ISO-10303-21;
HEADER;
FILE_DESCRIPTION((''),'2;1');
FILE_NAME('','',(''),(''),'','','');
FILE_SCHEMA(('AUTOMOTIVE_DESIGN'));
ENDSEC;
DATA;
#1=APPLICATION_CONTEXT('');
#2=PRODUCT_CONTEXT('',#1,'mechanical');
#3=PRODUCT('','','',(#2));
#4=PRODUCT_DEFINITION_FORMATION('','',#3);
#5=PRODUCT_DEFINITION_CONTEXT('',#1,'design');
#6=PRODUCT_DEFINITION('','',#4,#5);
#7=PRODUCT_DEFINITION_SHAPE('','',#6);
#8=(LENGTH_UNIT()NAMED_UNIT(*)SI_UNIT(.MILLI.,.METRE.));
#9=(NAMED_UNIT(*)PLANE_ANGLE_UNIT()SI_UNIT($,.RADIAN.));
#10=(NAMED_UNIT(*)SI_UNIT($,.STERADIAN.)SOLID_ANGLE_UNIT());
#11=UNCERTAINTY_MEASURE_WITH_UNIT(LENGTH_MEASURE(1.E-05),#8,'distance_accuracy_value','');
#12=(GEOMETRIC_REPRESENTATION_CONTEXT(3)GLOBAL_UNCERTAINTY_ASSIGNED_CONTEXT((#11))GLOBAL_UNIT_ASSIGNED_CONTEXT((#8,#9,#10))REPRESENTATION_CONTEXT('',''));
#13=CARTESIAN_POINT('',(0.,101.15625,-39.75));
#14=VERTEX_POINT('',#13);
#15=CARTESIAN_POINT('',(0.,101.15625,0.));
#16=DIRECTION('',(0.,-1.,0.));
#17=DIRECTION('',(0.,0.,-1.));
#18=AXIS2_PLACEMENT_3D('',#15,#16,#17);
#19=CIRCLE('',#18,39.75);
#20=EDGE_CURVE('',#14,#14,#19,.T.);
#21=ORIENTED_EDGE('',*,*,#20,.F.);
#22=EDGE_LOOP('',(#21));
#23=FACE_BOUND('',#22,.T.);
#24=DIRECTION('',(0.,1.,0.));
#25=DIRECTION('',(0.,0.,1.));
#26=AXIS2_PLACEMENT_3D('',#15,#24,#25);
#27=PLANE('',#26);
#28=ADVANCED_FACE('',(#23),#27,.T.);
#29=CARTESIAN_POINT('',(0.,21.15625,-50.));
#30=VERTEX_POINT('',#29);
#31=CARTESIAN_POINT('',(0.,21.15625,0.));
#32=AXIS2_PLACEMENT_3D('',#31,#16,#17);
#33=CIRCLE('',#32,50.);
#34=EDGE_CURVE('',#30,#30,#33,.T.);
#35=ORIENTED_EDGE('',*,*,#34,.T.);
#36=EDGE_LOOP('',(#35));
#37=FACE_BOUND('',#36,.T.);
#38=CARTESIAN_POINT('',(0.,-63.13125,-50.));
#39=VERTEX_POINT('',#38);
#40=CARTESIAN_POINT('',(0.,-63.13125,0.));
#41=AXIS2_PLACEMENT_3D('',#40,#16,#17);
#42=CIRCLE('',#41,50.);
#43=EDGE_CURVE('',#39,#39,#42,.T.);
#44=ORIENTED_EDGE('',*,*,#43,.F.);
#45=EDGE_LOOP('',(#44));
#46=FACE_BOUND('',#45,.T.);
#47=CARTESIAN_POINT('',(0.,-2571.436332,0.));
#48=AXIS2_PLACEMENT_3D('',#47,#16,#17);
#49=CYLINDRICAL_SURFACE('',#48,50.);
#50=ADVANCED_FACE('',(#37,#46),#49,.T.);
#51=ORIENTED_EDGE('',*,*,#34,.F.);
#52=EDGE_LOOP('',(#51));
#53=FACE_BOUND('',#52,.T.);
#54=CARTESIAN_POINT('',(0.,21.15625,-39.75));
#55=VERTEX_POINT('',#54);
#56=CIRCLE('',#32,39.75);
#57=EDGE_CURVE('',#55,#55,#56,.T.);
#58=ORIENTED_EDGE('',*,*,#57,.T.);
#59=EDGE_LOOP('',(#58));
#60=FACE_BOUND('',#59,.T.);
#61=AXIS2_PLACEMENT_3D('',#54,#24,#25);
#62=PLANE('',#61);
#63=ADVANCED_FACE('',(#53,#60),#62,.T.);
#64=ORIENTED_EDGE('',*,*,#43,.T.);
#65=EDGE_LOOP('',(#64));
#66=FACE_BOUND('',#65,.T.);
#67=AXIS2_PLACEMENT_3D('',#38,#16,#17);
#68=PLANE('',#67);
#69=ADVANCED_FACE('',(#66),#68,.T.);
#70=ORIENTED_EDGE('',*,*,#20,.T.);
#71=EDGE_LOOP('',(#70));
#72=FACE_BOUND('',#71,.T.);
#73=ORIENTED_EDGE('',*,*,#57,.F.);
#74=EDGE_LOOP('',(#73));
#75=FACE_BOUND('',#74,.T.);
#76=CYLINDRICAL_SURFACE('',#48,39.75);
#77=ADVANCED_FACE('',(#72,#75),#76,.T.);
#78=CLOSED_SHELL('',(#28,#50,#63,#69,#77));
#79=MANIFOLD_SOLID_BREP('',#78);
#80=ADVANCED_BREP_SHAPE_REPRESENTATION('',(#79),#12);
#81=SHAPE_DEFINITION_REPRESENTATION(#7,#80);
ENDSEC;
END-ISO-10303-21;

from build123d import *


with BuildPart() as part:
    # Sketch1 → Revolve1 (revolve)
    with BuildSketch(Plane(origin=(0, 0, 0), x_dir=(0, 0, -1), z_dir=(1, 0, 0))):
        Polygon((0, 101.15625), (39.75, 101.15625), (39.75, 21.15625), (50, 21.15625), (50, -63.13125), (0, -63.13125), align=None)
    revolve(axis=Axis((0, -2571.436331505, 0), (0, 1, 0)))


solid = part.part
